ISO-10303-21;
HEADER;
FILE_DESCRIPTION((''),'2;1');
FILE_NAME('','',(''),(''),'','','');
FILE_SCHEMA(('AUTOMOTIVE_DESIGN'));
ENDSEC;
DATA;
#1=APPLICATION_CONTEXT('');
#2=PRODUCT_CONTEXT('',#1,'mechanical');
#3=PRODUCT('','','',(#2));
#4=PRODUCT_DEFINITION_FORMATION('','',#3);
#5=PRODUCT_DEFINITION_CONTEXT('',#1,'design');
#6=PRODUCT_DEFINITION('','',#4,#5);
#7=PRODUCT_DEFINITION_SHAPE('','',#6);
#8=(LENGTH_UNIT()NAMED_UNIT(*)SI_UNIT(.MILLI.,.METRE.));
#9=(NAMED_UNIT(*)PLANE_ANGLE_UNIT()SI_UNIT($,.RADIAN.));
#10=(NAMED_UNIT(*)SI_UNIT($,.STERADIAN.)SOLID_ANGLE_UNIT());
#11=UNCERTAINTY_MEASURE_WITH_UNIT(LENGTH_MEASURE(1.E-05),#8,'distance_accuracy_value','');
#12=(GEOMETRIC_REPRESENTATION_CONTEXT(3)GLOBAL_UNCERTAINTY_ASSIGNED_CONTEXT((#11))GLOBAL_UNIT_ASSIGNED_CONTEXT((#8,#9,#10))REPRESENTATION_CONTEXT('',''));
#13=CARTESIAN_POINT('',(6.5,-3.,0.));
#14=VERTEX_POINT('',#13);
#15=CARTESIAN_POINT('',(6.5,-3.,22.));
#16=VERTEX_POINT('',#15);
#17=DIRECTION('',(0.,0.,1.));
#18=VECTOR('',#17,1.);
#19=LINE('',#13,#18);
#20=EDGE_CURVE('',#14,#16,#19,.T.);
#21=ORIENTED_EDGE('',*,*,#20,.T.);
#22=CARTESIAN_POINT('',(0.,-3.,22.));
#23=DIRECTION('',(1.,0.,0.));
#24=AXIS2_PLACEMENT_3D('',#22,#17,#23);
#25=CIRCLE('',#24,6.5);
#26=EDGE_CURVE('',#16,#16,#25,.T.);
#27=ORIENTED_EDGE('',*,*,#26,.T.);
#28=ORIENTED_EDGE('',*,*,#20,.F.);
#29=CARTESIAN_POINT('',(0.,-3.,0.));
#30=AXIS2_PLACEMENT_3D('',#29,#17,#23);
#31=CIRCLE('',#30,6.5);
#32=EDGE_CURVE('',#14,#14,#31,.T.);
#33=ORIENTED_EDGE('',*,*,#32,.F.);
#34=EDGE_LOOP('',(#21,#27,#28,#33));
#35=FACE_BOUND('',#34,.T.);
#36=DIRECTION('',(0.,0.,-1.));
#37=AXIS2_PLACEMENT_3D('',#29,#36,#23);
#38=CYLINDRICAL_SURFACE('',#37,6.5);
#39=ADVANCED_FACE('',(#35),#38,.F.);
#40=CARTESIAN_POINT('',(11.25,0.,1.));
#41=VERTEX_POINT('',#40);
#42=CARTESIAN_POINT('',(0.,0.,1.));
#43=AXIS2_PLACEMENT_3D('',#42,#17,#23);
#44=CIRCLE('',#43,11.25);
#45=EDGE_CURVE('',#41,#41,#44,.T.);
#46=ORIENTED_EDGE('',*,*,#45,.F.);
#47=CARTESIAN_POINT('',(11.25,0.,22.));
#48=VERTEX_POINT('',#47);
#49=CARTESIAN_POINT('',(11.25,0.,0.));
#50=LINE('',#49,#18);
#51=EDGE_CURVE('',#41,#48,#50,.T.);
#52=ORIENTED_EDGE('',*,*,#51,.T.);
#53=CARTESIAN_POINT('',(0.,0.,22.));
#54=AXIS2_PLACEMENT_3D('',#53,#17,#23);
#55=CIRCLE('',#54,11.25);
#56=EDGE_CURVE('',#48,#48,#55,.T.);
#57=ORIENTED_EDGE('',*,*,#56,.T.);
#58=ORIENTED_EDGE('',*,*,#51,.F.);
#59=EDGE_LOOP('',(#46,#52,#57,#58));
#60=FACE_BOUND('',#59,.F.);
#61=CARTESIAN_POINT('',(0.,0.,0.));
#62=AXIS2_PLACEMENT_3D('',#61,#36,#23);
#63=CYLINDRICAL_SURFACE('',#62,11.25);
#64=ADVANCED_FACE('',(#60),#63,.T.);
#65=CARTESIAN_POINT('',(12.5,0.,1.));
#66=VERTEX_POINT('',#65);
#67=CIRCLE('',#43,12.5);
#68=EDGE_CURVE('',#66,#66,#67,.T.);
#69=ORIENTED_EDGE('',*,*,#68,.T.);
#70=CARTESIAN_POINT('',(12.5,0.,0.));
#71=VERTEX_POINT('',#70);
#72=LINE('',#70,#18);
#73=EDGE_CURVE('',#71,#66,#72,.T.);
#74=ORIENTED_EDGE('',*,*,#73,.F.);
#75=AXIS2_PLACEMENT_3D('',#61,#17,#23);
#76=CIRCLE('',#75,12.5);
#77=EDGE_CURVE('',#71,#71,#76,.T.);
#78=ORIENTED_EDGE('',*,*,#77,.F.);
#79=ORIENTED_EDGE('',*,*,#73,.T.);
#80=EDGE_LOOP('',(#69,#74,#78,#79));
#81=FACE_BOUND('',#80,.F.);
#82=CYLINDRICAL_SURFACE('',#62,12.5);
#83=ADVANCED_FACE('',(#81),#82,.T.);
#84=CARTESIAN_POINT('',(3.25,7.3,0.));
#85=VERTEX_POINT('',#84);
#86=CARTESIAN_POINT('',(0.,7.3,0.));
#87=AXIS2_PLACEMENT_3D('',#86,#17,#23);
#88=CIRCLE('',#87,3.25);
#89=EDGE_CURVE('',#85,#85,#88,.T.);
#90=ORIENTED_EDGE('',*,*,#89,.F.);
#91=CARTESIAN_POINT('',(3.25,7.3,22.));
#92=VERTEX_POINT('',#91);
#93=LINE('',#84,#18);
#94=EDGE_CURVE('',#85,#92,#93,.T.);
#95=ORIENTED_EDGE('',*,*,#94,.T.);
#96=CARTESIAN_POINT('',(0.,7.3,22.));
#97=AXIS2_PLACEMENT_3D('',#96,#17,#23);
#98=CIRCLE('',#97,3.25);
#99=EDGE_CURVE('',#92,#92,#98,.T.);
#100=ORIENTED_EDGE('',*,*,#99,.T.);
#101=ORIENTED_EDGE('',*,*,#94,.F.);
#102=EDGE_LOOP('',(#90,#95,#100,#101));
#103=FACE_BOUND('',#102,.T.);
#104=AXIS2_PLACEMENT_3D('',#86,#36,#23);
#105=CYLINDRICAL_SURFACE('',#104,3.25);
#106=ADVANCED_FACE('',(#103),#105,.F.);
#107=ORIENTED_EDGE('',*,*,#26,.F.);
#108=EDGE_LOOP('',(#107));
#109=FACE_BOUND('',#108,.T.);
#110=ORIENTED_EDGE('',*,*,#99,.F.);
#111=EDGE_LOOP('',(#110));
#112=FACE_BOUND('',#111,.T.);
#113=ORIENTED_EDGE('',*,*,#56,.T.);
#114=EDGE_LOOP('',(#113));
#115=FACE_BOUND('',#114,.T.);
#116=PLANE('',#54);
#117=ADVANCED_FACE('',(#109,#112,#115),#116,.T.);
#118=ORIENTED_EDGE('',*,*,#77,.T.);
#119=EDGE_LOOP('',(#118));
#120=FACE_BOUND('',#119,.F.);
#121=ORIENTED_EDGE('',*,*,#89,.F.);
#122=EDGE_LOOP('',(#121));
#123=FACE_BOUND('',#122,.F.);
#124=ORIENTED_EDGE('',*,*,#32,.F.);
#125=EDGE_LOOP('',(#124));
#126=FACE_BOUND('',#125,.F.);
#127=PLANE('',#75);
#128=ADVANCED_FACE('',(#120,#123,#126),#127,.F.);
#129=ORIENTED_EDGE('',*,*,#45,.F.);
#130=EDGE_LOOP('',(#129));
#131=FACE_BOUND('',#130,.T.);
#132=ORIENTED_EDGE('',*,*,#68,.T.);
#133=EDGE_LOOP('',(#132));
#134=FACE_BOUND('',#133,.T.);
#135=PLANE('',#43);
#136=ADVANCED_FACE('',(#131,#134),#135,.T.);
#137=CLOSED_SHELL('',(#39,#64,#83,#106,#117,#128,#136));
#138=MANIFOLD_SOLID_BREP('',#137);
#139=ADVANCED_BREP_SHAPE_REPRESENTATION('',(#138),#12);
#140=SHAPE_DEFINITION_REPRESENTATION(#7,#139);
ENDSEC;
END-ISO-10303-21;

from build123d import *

# Parameters (mm, degrees)
F0_R     = 11.25
F0_R_2   = 6.5
F0_R_3   = 3.25
F1_DEPTH = 22
F0_R_4   = 12.5
F2_DEPTH = 1


with BuildPart() as f1:
    # F0 (on Top) → F1 (new body)
    with BuildSketch(Plane.XY):
        Circle(F0_R)
        with Locations((0, -3)):
            Circle(F0_R_2, mode=Mode.SUBTRACT)
        with Locations((0, 7.3)):
            Circle(F0_R_3, mode=Mode.SUBTRACT)
    extrude(amount=F1_DEPTH)

    # F0 (on Top) → F2 (join)
    with BuildSketch(Plane.XY):
        Circle(F0_R_4)
        Circle(F0_R, mode=Mode.SUBTRACT)
    extrude(amount=F2_DEPTH)


solid = f1.part
